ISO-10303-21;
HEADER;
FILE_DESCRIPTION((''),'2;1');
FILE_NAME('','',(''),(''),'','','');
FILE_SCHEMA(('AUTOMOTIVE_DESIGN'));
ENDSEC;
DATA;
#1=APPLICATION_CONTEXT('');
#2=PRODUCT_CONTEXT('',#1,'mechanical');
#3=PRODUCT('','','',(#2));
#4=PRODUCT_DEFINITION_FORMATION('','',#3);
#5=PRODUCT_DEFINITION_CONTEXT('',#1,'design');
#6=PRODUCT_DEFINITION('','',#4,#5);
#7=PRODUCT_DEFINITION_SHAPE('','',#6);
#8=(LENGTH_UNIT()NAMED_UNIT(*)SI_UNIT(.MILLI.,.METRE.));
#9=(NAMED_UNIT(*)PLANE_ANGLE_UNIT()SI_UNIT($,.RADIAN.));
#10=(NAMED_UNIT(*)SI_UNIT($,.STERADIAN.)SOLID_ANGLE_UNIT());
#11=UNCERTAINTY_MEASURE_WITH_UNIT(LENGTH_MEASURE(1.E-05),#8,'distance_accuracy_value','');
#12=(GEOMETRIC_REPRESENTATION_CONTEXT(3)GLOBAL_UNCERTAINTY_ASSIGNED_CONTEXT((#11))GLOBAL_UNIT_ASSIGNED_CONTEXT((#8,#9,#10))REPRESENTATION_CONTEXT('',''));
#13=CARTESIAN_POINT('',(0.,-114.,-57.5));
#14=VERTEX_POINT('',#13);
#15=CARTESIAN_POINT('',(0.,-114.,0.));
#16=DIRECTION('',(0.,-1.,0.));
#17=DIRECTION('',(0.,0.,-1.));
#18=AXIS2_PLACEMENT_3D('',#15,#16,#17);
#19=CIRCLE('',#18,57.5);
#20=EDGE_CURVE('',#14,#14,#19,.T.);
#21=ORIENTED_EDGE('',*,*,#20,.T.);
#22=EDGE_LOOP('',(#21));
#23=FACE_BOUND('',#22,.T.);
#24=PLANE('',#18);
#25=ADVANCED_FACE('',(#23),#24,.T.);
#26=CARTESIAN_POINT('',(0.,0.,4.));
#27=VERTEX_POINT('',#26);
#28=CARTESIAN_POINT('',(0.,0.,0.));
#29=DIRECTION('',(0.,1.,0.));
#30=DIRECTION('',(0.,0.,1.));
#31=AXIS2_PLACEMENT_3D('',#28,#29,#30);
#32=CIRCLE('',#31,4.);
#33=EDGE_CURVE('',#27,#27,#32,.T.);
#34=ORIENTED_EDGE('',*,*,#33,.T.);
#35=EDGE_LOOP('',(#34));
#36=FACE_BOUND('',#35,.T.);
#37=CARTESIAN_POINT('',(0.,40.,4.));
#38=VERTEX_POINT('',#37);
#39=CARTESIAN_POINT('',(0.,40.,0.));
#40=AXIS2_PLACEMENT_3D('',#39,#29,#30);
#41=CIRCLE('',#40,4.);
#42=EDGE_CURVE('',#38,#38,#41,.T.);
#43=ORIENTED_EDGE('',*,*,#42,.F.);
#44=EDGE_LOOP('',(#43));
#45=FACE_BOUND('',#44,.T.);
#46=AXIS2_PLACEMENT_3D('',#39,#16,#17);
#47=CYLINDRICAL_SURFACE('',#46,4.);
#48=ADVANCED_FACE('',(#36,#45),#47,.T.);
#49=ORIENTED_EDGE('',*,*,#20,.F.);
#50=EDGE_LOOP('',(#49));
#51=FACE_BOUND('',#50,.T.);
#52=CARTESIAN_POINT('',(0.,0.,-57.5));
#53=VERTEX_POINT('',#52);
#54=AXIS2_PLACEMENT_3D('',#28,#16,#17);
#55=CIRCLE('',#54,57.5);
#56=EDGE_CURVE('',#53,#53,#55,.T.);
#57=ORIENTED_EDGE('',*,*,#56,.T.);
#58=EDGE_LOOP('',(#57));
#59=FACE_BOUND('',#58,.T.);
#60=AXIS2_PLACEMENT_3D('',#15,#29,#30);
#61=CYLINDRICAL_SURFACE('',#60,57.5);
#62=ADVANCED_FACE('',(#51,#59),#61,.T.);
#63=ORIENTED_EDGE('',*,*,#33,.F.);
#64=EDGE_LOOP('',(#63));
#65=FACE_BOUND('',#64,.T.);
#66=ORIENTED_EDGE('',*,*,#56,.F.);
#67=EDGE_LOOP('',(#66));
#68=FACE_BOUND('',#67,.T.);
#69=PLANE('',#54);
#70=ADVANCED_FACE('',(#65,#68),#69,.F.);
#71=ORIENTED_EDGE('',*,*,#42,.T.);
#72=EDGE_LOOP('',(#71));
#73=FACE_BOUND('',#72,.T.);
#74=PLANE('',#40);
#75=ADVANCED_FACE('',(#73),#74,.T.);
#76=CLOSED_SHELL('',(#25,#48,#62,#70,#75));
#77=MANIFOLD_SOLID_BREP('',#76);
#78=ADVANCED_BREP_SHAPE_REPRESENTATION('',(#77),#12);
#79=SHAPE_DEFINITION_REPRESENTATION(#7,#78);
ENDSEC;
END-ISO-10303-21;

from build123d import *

# Parameters (mm, degrees)
ESQUISSE1_R        = 4
BOSS_EXTRU_1_DEPTH = 40
ESQUISSE2_R        = 57.5
BOSS_EXTRU_2_DEPTH = 114


with BuildPart() as part:
    # Esquisse1 → Boss.-Extru.1 (new body)
    with BuildSketch(Plane(origin=(0, 0, 0), x_dir=(1, 0, 0), z_dir=(0, 1, 0))):
        Circle(ESQUISSE1_R)
    extrude(amount=BOSS_EXTRU_1_DEPTH)

    # Esquisse2 → Boss.-Extru.2 (add)
    with BuildSketch(Plane.XZ):
        Circle(ESQUISSE2_R)
    extrude(amount=BOSS_EXTRU_2_DEPTH)


solid = part.part
